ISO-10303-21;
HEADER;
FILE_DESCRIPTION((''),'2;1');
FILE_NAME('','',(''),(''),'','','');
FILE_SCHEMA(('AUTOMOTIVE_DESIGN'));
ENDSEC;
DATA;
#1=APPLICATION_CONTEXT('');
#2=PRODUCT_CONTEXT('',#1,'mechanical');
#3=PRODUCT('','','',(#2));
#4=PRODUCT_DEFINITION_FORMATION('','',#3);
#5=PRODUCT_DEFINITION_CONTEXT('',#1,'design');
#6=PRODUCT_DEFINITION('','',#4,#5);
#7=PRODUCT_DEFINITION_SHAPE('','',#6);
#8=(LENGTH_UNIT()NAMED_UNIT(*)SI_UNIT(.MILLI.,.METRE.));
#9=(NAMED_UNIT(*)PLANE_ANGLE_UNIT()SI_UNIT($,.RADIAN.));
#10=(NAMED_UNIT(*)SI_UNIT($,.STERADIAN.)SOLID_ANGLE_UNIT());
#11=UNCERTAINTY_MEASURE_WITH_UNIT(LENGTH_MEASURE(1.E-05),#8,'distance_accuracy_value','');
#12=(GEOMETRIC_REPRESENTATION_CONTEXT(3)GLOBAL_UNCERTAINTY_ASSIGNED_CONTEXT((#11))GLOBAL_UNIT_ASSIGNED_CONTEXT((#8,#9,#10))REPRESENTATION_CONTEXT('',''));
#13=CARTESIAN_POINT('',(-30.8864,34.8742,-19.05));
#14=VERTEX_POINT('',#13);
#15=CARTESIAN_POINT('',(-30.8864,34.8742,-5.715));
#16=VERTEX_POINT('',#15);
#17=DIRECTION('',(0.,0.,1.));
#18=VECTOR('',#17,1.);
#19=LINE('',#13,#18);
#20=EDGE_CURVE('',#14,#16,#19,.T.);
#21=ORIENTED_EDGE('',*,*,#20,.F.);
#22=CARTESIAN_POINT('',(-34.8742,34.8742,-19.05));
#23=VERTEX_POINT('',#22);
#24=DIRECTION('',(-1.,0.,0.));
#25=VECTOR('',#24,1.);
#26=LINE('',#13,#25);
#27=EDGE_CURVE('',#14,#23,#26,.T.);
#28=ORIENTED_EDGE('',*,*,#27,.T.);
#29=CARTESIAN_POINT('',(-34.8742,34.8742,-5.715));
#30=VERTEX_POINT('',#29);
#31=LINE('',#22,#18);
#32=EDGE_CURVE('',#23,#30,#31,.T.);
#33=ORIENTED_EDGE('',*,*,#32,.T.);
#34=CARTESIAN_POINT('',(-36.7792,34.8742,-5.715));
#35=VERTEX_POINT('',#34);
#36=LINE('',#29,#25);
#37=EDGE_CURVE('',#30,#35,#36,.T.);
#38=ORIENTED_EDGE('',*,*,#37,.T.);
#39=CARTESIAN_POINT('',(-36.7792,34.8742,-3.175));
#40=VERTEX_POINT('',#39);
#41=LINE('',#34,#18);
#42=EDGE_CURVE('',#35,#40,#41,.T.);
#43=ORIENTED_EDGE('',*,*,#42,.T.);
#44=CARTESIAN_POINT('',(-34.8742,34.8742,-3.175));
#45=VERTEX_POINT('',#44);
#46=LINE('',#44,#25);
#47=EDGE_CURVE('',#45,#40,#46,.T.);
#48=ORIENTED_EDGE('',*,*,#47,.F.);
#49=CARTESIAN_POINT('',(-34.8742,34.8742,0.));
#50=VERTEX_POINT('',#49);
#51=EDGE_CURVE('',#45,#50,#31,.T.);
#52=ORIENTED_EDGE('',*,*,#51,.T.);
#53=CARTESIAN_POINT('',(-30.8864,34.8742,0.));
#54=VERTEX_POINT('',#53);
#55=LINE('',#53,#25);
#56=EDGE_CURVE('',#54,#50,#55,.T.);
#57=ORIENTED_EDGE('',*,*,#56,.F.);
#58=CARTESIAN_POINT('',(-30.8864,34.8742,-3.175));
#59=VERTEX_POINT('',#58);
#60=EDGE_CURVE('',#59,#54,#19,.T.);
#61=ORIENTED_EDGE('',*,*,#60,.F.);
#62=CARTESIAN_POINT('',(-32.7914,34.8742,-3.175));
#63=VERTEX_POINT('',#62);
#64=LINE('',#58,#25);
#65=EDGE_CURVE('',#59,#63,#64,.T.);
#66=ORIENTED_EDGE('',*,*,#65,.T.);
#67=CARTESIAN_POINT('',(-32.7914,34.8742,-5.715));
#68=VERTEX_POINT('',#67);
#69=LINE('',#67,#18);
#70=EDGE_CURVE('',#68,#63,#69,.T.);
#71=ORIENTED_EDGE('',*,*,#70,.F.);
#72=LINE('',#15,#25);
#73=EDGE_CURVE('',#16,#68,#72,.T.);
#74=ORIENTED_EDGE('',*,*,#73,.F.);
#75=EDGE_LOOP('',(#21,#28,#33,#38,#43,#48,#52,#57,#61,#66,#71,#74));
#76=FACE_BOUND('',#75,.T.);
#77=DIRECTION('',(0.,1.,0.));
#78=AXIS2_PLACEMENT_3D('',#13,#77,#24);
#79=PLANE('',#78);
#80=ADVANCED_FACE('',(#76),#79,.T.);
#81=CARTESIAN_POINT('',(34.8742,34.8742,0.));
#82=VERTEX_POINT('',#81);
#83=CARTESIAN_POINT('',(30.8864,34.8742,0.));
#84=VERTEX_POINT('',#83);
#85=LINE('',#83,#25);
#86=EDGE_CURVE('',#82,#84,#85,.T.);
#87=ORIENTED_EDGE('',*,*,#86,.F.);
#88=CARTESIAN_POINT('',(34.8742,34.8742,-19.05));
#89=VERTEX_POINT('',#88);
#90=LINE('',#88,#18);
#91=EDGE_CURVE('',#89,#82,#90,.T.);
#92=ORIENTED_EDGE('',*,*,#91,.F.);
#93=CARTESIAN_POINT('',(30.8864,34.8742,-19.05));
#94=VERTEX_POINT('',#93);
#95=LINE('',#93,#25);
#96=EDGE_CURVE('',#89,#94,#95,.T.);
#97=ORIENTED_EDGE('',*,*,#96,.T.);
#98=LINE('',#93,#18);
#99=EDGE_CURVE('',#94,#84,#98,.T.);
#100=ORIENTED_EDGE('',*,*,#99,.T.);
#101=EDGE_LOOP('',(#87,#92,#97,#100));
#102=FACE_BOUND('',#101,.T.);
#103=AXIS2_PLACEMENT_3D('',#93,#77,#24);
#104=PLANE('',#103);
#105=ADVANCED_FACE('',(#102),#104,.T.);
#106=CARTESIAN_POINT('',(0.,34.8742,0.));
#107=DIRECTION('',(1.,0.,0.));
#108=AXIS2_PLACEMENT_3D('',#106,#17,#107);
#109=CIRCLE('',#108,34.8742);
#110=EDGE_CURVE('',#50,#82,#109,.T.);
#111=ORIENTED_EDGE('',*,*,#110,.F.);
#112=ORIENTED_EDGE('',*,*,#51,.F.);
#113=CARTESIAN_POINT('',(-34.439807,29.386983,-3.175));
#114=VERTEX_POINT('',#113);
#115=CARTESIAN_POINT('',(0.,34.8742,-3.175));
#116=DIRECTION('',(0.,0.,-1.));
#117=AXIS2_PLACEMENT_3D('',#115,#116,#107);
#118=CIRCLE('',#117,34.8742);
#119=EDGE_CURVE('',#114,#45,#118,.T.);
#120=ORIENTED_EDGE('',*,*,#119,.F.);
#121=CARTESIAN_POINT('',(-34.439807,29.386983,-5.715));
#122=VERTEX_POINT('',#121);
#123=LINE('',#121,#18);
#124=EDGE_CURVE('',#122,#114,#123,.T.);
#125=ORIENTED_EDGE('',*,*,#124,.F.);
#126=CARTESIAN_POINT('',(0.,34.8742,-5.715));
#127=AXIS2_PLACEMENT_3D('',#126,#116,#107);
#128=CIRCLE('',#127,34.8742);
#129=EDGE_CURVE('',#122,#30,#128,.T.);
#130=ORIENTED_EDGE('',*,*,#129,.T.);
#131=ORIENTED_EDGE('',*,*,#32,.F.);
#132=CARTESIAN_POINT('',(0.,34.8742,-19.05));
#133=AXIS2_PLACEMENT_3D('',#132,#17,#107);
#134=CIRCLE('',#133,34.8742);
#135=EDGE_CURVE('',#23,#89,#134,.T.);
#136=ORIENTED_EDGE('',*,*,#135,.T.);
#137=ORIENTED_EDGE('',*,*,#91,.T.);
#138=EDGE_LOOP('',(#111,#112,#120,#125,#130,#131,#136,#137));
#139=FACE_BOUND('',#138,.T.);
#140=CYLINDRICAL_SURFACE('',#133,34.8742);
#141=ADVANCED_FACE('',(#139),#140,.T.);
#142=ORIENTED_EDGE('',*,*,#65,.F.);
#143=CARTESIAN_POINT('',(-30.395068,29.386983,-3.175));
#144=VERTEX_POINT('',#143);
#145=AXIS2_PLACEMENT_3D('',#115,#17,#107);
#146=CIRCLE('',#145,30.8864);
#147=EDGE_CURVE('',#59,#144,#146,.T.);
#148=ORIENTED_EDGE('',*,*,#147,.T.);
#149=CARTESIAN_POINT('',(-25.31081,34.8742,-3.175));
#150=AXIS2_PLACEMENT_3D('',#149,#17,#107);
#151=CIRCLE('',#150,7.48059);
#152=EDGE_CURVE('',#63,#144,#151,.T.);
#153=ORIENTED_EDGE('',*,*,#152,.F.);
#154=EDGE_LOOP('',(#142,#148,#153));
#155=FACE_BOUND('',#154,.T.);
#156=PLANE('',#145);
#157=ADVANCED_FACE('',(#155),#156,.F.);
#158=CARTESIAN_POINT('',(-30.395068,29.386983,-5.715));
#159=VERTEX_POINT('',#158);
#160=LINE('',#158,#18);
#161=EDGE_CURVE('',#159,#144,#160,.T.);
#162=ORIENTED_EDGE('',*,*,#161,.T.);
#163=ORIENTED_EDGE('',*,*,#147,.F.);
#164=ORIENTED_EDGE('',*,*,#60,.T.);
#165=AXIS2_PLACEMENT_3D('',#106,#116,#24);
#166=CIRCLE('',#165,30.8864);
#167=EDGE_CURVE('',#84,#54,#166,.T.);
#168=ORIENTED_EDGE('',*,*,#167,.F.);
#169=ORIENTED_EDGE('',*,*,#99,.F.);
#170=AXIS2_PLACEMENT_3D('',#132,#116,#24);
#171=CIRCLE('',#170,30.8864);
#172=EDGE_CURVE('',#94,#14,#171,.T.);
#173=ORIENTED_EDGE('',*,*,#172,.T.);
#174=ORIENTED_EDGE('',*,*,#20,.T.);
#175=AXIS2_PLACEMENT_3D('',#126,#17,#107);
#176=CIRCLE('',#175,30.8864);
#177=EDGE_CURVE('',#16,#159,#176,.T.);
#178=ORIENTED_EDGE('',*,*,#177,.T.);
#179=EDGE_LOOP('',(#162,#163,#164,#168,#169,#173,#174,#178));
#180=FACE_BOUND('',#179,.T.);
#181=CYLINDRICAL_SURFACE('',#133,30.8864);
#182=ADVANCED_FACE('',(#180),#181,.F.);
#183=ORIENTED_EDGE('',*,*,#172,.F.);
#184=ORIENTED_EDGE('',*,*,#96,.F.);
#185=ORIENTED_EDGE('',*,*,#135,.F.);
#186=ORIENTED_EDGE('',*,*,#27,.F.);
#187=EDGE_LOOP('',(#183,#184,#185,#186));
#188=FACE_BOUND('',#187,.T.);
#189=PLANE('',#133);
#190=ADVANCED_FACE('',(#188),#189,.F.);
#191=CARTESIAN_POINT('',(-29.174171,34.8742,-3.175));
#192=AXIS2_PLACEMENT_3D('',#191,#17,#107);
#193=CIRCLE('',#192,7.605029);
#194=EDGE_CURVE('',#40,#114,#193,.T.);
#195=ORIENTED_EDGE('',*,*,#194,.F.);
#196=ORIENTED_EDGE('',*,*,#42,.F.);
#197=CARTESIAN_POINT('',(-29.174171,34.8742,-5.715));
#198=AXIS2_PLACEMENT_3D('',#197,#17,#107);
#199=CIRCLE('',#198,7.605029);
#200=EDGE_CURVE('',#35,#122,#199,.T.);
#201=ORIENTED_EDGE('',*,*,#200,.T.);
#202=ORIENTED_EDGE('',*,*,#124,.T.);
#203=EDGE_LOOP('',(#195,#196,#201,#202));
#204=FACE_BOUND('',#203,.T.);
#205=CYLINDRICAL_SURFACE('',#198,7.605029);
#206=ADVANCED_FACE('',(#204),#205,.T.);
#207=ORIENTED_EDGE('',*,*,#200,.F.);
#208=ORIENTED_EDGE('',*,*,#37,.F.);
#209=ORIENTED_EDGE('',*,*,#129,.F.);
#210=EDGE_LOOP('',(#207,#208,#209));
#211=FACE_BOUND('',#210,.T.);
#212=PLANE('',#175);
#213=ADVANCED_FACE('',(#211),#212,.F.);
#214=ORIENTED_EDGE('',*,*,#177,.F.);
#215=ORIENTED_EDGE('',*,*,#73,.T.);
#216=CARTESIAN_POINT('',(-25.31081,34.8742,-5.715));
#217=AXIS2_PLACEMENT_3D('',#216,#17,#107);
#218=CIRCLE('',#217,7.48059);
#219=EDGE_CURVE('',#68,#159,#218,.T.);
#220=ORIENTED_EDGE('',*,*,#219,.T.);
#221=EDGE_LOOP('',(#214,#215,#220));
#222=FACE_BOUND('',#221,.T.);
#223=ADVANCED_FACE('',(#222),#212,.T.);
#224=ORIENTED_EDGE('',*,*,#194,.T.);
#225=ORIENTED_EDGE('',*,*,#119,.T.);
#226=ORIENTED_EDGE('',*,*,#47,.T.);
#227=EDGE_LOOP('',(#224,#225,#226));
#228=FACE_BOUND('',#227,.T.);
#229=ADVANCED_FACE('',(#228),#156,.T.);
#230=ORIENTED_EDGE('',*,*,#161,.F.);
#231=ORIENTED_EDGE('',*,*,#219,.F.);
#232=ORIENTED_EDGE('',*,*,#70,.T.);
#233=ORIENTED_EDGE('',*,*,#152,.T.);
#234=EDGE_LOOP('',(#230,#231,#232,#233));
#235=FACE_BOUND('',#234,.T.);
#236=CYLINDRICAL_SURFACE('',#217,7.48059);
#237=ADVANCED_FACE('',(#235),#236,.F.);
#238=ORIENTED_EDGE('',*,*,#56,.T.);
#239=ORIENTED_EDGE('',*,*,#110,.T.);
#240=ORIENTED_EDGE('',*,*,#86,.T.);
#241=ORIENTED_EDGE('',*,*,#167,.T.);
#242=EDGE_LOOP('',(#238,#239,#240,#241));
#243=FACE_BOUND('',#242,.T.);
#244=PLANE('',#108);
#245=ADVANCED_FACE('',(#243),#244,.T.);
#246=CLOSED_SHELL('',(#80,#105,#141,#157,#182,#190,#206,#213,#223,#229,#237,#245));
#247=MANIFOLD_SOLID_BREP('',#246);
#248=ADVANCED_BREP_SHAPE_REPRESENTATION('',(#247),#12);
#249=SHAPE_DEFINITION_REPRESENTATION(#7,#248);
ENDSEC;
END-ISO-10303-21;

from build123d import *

# Parameters (mm, degrees)
BOSS_EXTRUDE1_DEPTH = 19.05
BOSS_EXTRUDE2_DEPTH = 2.54
CUT_EXTRUDE2_DEPTH  = 2.54


with BuildPart() as part:
    # Sketch1 → Boss-Extrude1 (new body)
    with BuildSketch(Plane.XY):
        with BuildLine():
            Line((-30.8864, 34.8742), (-34.8742, 34.8742))
            ThreePointArc((-34.8742, 34.8742), (0, 0), (34.8742, 34.8742))
            Line((34.8742, 34.8742), (30.8864, 34.8742))
            ThreePointArc((30.8864, 34.8742), (0, 3.9878), (-30.8864, 34.8742))
        make_face()
    extrude(amount=-BOSS_EXTRUDE1_DEPTH)

    # Sketch5 → Boss-Extrude2 (add)
    with BuildSketch(Plane.XY.offset(-3.175)):
        with BuildLine():
            Line((-34.8742, 34.8742), (-36.7792, 34.8742))
            ThreePointArc((-36.7792, 34.8742), (-36.169947499, 31.891654655), (-34.439806621, 29.386983441))
            ThreePointArc((-34.439806621, 29.386983441), (-34.765432039, 32.122008002), (-34.8742, 34.8742))
        make_face()
    extrude(amount=-BOSS_EXTRUDE2_DEPTH)

    # Sketch6 → Cut-Extrude2 (cut)
    with BuildSketch(Plane.XY.offset(-3.175)):
        with BuildLine():
            Line((-30.8864, 34.8742), (-32.7914, 34.8742))
            ThreePointArc((-32.7914, 34.8742), (-32.166190236, 31.880374998), (-30.395068011, 29.386983441))
            ThreePointArc((-30.395068011, 29.386983441), (-30.763321778, 32.119615064), (-30.8864, 34.8742))
        make_face()
    extrude(amount=-CUT_EXTRUDE2_DEPTH, mode=Mode.SUBTRACT)


solid = part.part
